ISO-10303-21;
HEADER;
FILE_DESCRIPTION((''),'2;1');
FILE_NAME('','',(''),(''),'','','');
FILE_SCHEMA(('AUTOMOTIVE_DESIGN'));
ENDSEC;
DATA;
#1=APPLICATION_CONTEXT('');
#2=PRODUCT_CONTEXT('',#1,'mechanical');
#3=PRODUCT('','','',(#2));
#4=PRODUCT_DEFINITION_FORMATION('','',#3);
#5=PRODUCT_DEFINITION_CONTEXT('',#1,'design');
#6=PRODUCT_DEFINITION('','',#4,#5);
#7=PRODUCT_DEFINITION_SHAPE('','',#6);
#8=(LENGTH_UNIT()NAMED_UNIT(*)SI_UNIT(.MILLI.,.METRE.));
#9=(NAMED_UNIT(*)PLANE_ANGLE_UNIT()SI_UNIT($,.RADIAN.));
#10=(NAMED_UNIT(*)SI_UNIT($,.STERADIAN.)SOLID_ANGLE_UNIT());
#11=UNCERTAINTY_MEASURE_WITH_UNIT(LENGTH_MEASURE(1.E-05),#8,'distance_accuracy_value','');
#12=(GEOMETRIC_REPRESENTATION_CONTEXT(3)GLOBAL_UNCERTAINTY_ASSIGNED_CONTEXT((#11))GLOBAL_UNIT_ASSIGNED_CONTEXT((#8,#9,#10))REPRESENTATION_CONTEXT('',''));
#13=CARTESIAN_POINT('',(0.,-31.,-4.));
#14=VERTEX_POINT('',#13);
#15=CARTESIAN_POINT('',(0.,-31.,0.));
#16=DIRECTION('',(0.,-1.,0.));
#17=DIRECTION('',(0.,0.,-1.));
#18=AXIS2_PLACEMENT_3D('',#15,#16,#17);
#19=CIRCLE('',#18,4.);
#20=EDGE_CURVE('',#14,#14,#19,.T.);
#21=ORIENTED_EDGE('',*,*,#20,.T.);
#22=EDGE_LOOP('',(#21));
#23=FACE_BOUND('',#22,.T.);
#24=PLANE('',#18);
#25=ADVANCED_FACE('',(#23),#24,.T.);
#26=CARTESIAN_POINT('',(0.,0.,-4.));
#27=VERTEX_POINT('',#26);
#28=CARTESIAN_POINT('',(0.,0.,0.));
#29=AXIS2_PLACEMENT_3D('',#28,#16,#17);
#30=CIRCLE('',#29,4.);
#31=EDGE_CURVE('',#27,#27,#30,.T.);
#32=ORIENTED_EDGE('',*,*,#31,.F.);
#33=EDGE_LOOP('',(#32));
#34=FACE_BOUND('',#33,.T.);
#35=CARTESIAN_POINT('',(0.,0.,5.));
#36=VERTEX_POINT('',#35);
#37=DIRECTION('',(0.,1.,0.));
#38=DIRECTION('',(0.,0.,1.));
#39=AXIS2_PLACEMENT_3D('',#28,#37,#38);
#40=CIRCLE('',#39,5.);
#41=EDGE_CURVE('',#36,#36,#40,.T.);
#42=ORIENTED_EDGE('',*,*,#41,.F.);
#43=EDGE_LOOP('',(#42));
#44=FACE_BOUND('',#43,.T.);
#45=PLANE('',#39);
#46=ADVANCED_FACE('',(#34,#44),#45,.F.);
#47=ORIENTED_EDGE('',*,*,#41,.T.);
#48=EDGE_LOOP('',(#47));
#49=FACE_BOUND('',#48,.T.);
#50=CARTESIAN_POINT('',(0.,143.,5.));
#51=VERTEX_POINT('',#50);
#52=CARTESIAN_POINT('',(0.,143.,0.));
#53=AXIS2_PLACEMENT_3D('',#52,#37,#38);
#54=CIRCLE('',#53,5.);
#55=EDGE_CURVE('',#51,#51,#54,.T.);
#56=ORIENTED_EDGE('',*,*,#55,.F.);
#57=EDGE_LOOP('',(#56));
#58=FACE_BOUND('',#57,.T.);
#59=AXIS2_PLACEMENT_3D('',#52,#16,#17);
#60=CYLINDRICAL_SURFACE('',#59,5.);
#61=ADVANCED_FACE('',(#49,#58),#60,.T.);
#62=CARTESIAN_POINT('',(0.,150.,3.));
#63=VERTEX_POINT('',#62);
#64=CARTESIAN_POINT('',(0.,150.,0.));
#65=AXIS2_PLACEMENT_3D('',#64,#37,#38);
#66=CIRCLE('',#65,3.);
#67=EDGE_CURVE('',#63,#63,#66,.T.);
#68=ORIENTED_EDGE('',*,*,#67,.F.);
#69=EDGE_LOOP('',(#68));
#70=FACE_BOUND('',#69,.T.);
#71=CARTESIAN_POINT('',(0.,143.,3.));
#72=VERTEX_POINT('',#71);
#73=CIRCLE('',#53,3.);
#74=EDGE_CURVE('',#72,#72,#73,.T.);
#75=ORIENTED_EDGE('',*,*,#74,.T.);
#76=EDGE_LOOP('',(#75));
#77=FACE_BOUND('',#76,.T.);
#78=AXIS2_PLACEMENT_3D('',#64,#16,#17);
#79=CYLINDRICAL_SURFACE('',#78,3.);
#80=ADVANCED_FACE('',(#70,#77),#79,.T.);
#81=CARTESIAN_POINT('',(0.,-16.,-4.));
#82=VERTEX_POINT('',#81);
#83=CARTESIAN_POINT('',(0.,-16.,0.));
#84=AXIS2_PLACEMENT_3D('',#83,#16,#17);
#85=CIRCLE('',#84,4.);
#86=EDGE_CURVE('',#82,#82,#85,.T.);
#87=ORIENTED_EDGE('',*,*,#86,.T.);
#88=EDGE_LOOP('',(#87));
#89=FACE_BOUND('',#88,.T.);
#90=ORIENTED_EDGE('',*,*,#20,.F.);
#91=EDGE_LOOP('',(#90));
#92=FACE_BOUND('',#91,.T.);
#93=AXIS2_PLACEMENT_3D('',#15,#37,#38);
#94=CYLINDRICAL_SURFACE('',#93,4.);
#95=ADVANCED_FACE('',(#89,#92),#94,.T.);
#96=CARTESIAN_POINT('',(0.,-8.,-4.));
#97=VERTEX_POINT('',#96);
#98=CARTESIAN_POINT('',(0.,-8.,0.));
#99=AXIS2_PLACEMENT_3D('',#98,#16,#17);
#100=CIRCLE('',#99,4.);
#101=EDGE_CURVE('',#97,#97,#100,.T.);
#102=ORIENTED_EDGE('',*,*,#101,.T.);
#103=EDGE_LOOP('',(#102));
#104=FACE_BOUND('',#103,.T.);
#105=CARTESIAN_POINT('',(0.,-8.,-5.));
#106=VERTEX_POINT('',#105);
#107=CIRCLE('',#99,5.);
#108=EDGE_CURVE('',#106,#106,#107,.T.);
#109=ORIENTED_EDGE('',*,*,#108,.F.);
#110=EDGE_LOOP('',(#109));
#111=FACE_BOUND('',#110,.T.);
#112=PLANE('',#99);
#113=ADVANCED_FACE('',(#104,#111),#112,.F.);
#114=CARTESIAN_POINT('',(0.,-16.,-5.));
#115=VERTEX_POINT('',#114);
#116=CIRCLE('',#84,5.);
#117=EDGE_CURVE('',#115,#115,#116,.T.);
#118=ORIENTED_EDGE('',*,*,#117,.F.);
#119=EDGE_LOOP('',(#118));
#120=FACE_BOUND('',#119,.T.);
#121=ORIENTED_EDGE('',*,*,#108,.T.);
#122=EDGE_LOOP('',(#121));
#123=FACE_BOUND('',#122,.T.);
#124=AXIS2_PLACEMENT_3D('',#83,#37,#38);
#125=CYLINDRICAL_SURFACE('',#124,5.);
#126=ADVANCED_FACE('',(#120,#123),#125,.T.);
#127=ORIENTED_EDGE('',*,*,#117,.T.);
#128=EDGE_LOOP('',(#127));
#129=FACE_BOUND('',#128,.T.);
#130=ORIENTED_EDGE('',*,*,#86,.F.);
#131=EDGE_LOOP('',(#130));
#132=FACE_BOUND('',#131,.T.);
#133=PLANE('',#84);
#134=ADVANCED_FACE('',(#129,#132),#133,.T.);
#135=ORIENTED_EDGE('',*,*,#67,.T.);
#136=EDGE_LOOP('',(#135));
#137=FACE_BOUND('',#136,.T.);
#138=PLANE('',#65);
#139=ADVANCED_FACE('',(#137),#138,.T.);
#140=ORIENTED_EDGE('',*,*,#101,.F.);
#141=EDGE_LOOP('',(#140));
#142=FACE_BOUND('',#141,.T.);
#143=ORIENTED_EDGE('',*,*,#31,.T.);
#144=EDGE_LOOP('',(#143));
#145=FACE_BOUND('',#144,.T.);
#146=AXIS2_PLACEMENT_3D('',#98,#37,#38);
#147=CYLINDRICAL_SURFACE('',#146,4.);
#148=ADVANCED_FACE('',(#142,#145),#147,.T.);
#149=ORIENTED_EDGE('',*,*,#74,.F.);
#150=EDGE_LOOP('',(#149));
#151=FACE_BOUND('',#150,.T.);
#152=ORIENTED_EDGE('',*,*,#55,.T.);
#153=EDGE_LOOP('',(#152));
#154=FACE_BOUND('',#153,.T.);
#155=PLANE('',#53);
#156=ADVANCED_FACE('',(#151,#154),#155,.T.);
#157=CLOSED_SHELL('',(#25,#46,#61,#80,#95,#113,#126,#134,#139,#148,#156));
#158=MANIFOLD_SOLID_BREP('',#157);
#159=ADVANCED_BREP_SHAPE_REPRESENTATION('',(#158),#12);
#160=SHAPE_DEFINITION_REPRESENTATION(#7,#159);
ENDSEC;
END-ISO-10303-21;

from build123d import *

# Parameters (mm, degrees)
SKETCH1_R           = 5
BOSS_EXTRUDE1_DEPTH = 143
SKETCH2_R           = 4
BOSS_EXTRUDE2_DEPTH = 8
BOSS_EXTRUDE3_START = 8
SKETCH3_R           = 5
BOSS_EXTRUDE3_DEPTH = 8
SKETCH4_R           = 4
BOSS_EXTRUDE4_DEPTH = 15
SKETCH5_R           = 3
BOSS_EXTRUDE5_DEPTH = 7


with BuildPart() as part:
    # Sketch1 → Boss-Extrude1 (new body)
    with BuildSketch(Plane(origin=(0, 0, 0), x_dir=(1, 0, 0), z_dir=(0, 1, 0))):
        with Locations(Location((0, 0, 0), (0, 0, 270))):
            Circle(SKETCH1_R)
    extrude(amount=BOSS_EXTRUDE1_DEPTH)

    # Sketch2 → Boss-Extrude2 (add)
    with BuildSketch(Plane.XZ):
        with Locations(Location((0, 0, 0), (0, 0, 270))):
            Circle(SKETCH2_R)
    extrude(amount=BOSS_EXTRUDE2_DEPTH)

    # Sketch3 → Boss-Extrude3 (add)
    with BuildSketch(Plane.XZ.offset(8).offset(BOSS_EXTRUDE3_START)):
        with Locations(Location((0, 0, 0), (0, 0, 90))):
            Circle(SKETCH3_R)
    extrude(amount=-BOSS_EXTRUDE3_DEPTH)

    # Sketch4 → Boss-Extrude4 (add)
    with BuildSketch(Plane.XZ.offset(16)):
        with Locations(Location((0, 0, 0), (0, 0, 270))):
            Circle(SKETCH4_R)
    extrude(amount=BOSS_EXTRUDE4_DEPTH)

    # Sketch5 → Boss-Extrude5 (add)
    with BuildSketch(Plane(origin=(0, 143, 0), x_dir=(1, 0, 0), z_dir=(0, 1, 0))):
        with Locations(Location((0, 0, 0), (0, 0, 270))):
            Circle(SKETCH5_R)
    extrude(amount=BOSS_EXTRUDE5_DEPTH)


solid = part.part
